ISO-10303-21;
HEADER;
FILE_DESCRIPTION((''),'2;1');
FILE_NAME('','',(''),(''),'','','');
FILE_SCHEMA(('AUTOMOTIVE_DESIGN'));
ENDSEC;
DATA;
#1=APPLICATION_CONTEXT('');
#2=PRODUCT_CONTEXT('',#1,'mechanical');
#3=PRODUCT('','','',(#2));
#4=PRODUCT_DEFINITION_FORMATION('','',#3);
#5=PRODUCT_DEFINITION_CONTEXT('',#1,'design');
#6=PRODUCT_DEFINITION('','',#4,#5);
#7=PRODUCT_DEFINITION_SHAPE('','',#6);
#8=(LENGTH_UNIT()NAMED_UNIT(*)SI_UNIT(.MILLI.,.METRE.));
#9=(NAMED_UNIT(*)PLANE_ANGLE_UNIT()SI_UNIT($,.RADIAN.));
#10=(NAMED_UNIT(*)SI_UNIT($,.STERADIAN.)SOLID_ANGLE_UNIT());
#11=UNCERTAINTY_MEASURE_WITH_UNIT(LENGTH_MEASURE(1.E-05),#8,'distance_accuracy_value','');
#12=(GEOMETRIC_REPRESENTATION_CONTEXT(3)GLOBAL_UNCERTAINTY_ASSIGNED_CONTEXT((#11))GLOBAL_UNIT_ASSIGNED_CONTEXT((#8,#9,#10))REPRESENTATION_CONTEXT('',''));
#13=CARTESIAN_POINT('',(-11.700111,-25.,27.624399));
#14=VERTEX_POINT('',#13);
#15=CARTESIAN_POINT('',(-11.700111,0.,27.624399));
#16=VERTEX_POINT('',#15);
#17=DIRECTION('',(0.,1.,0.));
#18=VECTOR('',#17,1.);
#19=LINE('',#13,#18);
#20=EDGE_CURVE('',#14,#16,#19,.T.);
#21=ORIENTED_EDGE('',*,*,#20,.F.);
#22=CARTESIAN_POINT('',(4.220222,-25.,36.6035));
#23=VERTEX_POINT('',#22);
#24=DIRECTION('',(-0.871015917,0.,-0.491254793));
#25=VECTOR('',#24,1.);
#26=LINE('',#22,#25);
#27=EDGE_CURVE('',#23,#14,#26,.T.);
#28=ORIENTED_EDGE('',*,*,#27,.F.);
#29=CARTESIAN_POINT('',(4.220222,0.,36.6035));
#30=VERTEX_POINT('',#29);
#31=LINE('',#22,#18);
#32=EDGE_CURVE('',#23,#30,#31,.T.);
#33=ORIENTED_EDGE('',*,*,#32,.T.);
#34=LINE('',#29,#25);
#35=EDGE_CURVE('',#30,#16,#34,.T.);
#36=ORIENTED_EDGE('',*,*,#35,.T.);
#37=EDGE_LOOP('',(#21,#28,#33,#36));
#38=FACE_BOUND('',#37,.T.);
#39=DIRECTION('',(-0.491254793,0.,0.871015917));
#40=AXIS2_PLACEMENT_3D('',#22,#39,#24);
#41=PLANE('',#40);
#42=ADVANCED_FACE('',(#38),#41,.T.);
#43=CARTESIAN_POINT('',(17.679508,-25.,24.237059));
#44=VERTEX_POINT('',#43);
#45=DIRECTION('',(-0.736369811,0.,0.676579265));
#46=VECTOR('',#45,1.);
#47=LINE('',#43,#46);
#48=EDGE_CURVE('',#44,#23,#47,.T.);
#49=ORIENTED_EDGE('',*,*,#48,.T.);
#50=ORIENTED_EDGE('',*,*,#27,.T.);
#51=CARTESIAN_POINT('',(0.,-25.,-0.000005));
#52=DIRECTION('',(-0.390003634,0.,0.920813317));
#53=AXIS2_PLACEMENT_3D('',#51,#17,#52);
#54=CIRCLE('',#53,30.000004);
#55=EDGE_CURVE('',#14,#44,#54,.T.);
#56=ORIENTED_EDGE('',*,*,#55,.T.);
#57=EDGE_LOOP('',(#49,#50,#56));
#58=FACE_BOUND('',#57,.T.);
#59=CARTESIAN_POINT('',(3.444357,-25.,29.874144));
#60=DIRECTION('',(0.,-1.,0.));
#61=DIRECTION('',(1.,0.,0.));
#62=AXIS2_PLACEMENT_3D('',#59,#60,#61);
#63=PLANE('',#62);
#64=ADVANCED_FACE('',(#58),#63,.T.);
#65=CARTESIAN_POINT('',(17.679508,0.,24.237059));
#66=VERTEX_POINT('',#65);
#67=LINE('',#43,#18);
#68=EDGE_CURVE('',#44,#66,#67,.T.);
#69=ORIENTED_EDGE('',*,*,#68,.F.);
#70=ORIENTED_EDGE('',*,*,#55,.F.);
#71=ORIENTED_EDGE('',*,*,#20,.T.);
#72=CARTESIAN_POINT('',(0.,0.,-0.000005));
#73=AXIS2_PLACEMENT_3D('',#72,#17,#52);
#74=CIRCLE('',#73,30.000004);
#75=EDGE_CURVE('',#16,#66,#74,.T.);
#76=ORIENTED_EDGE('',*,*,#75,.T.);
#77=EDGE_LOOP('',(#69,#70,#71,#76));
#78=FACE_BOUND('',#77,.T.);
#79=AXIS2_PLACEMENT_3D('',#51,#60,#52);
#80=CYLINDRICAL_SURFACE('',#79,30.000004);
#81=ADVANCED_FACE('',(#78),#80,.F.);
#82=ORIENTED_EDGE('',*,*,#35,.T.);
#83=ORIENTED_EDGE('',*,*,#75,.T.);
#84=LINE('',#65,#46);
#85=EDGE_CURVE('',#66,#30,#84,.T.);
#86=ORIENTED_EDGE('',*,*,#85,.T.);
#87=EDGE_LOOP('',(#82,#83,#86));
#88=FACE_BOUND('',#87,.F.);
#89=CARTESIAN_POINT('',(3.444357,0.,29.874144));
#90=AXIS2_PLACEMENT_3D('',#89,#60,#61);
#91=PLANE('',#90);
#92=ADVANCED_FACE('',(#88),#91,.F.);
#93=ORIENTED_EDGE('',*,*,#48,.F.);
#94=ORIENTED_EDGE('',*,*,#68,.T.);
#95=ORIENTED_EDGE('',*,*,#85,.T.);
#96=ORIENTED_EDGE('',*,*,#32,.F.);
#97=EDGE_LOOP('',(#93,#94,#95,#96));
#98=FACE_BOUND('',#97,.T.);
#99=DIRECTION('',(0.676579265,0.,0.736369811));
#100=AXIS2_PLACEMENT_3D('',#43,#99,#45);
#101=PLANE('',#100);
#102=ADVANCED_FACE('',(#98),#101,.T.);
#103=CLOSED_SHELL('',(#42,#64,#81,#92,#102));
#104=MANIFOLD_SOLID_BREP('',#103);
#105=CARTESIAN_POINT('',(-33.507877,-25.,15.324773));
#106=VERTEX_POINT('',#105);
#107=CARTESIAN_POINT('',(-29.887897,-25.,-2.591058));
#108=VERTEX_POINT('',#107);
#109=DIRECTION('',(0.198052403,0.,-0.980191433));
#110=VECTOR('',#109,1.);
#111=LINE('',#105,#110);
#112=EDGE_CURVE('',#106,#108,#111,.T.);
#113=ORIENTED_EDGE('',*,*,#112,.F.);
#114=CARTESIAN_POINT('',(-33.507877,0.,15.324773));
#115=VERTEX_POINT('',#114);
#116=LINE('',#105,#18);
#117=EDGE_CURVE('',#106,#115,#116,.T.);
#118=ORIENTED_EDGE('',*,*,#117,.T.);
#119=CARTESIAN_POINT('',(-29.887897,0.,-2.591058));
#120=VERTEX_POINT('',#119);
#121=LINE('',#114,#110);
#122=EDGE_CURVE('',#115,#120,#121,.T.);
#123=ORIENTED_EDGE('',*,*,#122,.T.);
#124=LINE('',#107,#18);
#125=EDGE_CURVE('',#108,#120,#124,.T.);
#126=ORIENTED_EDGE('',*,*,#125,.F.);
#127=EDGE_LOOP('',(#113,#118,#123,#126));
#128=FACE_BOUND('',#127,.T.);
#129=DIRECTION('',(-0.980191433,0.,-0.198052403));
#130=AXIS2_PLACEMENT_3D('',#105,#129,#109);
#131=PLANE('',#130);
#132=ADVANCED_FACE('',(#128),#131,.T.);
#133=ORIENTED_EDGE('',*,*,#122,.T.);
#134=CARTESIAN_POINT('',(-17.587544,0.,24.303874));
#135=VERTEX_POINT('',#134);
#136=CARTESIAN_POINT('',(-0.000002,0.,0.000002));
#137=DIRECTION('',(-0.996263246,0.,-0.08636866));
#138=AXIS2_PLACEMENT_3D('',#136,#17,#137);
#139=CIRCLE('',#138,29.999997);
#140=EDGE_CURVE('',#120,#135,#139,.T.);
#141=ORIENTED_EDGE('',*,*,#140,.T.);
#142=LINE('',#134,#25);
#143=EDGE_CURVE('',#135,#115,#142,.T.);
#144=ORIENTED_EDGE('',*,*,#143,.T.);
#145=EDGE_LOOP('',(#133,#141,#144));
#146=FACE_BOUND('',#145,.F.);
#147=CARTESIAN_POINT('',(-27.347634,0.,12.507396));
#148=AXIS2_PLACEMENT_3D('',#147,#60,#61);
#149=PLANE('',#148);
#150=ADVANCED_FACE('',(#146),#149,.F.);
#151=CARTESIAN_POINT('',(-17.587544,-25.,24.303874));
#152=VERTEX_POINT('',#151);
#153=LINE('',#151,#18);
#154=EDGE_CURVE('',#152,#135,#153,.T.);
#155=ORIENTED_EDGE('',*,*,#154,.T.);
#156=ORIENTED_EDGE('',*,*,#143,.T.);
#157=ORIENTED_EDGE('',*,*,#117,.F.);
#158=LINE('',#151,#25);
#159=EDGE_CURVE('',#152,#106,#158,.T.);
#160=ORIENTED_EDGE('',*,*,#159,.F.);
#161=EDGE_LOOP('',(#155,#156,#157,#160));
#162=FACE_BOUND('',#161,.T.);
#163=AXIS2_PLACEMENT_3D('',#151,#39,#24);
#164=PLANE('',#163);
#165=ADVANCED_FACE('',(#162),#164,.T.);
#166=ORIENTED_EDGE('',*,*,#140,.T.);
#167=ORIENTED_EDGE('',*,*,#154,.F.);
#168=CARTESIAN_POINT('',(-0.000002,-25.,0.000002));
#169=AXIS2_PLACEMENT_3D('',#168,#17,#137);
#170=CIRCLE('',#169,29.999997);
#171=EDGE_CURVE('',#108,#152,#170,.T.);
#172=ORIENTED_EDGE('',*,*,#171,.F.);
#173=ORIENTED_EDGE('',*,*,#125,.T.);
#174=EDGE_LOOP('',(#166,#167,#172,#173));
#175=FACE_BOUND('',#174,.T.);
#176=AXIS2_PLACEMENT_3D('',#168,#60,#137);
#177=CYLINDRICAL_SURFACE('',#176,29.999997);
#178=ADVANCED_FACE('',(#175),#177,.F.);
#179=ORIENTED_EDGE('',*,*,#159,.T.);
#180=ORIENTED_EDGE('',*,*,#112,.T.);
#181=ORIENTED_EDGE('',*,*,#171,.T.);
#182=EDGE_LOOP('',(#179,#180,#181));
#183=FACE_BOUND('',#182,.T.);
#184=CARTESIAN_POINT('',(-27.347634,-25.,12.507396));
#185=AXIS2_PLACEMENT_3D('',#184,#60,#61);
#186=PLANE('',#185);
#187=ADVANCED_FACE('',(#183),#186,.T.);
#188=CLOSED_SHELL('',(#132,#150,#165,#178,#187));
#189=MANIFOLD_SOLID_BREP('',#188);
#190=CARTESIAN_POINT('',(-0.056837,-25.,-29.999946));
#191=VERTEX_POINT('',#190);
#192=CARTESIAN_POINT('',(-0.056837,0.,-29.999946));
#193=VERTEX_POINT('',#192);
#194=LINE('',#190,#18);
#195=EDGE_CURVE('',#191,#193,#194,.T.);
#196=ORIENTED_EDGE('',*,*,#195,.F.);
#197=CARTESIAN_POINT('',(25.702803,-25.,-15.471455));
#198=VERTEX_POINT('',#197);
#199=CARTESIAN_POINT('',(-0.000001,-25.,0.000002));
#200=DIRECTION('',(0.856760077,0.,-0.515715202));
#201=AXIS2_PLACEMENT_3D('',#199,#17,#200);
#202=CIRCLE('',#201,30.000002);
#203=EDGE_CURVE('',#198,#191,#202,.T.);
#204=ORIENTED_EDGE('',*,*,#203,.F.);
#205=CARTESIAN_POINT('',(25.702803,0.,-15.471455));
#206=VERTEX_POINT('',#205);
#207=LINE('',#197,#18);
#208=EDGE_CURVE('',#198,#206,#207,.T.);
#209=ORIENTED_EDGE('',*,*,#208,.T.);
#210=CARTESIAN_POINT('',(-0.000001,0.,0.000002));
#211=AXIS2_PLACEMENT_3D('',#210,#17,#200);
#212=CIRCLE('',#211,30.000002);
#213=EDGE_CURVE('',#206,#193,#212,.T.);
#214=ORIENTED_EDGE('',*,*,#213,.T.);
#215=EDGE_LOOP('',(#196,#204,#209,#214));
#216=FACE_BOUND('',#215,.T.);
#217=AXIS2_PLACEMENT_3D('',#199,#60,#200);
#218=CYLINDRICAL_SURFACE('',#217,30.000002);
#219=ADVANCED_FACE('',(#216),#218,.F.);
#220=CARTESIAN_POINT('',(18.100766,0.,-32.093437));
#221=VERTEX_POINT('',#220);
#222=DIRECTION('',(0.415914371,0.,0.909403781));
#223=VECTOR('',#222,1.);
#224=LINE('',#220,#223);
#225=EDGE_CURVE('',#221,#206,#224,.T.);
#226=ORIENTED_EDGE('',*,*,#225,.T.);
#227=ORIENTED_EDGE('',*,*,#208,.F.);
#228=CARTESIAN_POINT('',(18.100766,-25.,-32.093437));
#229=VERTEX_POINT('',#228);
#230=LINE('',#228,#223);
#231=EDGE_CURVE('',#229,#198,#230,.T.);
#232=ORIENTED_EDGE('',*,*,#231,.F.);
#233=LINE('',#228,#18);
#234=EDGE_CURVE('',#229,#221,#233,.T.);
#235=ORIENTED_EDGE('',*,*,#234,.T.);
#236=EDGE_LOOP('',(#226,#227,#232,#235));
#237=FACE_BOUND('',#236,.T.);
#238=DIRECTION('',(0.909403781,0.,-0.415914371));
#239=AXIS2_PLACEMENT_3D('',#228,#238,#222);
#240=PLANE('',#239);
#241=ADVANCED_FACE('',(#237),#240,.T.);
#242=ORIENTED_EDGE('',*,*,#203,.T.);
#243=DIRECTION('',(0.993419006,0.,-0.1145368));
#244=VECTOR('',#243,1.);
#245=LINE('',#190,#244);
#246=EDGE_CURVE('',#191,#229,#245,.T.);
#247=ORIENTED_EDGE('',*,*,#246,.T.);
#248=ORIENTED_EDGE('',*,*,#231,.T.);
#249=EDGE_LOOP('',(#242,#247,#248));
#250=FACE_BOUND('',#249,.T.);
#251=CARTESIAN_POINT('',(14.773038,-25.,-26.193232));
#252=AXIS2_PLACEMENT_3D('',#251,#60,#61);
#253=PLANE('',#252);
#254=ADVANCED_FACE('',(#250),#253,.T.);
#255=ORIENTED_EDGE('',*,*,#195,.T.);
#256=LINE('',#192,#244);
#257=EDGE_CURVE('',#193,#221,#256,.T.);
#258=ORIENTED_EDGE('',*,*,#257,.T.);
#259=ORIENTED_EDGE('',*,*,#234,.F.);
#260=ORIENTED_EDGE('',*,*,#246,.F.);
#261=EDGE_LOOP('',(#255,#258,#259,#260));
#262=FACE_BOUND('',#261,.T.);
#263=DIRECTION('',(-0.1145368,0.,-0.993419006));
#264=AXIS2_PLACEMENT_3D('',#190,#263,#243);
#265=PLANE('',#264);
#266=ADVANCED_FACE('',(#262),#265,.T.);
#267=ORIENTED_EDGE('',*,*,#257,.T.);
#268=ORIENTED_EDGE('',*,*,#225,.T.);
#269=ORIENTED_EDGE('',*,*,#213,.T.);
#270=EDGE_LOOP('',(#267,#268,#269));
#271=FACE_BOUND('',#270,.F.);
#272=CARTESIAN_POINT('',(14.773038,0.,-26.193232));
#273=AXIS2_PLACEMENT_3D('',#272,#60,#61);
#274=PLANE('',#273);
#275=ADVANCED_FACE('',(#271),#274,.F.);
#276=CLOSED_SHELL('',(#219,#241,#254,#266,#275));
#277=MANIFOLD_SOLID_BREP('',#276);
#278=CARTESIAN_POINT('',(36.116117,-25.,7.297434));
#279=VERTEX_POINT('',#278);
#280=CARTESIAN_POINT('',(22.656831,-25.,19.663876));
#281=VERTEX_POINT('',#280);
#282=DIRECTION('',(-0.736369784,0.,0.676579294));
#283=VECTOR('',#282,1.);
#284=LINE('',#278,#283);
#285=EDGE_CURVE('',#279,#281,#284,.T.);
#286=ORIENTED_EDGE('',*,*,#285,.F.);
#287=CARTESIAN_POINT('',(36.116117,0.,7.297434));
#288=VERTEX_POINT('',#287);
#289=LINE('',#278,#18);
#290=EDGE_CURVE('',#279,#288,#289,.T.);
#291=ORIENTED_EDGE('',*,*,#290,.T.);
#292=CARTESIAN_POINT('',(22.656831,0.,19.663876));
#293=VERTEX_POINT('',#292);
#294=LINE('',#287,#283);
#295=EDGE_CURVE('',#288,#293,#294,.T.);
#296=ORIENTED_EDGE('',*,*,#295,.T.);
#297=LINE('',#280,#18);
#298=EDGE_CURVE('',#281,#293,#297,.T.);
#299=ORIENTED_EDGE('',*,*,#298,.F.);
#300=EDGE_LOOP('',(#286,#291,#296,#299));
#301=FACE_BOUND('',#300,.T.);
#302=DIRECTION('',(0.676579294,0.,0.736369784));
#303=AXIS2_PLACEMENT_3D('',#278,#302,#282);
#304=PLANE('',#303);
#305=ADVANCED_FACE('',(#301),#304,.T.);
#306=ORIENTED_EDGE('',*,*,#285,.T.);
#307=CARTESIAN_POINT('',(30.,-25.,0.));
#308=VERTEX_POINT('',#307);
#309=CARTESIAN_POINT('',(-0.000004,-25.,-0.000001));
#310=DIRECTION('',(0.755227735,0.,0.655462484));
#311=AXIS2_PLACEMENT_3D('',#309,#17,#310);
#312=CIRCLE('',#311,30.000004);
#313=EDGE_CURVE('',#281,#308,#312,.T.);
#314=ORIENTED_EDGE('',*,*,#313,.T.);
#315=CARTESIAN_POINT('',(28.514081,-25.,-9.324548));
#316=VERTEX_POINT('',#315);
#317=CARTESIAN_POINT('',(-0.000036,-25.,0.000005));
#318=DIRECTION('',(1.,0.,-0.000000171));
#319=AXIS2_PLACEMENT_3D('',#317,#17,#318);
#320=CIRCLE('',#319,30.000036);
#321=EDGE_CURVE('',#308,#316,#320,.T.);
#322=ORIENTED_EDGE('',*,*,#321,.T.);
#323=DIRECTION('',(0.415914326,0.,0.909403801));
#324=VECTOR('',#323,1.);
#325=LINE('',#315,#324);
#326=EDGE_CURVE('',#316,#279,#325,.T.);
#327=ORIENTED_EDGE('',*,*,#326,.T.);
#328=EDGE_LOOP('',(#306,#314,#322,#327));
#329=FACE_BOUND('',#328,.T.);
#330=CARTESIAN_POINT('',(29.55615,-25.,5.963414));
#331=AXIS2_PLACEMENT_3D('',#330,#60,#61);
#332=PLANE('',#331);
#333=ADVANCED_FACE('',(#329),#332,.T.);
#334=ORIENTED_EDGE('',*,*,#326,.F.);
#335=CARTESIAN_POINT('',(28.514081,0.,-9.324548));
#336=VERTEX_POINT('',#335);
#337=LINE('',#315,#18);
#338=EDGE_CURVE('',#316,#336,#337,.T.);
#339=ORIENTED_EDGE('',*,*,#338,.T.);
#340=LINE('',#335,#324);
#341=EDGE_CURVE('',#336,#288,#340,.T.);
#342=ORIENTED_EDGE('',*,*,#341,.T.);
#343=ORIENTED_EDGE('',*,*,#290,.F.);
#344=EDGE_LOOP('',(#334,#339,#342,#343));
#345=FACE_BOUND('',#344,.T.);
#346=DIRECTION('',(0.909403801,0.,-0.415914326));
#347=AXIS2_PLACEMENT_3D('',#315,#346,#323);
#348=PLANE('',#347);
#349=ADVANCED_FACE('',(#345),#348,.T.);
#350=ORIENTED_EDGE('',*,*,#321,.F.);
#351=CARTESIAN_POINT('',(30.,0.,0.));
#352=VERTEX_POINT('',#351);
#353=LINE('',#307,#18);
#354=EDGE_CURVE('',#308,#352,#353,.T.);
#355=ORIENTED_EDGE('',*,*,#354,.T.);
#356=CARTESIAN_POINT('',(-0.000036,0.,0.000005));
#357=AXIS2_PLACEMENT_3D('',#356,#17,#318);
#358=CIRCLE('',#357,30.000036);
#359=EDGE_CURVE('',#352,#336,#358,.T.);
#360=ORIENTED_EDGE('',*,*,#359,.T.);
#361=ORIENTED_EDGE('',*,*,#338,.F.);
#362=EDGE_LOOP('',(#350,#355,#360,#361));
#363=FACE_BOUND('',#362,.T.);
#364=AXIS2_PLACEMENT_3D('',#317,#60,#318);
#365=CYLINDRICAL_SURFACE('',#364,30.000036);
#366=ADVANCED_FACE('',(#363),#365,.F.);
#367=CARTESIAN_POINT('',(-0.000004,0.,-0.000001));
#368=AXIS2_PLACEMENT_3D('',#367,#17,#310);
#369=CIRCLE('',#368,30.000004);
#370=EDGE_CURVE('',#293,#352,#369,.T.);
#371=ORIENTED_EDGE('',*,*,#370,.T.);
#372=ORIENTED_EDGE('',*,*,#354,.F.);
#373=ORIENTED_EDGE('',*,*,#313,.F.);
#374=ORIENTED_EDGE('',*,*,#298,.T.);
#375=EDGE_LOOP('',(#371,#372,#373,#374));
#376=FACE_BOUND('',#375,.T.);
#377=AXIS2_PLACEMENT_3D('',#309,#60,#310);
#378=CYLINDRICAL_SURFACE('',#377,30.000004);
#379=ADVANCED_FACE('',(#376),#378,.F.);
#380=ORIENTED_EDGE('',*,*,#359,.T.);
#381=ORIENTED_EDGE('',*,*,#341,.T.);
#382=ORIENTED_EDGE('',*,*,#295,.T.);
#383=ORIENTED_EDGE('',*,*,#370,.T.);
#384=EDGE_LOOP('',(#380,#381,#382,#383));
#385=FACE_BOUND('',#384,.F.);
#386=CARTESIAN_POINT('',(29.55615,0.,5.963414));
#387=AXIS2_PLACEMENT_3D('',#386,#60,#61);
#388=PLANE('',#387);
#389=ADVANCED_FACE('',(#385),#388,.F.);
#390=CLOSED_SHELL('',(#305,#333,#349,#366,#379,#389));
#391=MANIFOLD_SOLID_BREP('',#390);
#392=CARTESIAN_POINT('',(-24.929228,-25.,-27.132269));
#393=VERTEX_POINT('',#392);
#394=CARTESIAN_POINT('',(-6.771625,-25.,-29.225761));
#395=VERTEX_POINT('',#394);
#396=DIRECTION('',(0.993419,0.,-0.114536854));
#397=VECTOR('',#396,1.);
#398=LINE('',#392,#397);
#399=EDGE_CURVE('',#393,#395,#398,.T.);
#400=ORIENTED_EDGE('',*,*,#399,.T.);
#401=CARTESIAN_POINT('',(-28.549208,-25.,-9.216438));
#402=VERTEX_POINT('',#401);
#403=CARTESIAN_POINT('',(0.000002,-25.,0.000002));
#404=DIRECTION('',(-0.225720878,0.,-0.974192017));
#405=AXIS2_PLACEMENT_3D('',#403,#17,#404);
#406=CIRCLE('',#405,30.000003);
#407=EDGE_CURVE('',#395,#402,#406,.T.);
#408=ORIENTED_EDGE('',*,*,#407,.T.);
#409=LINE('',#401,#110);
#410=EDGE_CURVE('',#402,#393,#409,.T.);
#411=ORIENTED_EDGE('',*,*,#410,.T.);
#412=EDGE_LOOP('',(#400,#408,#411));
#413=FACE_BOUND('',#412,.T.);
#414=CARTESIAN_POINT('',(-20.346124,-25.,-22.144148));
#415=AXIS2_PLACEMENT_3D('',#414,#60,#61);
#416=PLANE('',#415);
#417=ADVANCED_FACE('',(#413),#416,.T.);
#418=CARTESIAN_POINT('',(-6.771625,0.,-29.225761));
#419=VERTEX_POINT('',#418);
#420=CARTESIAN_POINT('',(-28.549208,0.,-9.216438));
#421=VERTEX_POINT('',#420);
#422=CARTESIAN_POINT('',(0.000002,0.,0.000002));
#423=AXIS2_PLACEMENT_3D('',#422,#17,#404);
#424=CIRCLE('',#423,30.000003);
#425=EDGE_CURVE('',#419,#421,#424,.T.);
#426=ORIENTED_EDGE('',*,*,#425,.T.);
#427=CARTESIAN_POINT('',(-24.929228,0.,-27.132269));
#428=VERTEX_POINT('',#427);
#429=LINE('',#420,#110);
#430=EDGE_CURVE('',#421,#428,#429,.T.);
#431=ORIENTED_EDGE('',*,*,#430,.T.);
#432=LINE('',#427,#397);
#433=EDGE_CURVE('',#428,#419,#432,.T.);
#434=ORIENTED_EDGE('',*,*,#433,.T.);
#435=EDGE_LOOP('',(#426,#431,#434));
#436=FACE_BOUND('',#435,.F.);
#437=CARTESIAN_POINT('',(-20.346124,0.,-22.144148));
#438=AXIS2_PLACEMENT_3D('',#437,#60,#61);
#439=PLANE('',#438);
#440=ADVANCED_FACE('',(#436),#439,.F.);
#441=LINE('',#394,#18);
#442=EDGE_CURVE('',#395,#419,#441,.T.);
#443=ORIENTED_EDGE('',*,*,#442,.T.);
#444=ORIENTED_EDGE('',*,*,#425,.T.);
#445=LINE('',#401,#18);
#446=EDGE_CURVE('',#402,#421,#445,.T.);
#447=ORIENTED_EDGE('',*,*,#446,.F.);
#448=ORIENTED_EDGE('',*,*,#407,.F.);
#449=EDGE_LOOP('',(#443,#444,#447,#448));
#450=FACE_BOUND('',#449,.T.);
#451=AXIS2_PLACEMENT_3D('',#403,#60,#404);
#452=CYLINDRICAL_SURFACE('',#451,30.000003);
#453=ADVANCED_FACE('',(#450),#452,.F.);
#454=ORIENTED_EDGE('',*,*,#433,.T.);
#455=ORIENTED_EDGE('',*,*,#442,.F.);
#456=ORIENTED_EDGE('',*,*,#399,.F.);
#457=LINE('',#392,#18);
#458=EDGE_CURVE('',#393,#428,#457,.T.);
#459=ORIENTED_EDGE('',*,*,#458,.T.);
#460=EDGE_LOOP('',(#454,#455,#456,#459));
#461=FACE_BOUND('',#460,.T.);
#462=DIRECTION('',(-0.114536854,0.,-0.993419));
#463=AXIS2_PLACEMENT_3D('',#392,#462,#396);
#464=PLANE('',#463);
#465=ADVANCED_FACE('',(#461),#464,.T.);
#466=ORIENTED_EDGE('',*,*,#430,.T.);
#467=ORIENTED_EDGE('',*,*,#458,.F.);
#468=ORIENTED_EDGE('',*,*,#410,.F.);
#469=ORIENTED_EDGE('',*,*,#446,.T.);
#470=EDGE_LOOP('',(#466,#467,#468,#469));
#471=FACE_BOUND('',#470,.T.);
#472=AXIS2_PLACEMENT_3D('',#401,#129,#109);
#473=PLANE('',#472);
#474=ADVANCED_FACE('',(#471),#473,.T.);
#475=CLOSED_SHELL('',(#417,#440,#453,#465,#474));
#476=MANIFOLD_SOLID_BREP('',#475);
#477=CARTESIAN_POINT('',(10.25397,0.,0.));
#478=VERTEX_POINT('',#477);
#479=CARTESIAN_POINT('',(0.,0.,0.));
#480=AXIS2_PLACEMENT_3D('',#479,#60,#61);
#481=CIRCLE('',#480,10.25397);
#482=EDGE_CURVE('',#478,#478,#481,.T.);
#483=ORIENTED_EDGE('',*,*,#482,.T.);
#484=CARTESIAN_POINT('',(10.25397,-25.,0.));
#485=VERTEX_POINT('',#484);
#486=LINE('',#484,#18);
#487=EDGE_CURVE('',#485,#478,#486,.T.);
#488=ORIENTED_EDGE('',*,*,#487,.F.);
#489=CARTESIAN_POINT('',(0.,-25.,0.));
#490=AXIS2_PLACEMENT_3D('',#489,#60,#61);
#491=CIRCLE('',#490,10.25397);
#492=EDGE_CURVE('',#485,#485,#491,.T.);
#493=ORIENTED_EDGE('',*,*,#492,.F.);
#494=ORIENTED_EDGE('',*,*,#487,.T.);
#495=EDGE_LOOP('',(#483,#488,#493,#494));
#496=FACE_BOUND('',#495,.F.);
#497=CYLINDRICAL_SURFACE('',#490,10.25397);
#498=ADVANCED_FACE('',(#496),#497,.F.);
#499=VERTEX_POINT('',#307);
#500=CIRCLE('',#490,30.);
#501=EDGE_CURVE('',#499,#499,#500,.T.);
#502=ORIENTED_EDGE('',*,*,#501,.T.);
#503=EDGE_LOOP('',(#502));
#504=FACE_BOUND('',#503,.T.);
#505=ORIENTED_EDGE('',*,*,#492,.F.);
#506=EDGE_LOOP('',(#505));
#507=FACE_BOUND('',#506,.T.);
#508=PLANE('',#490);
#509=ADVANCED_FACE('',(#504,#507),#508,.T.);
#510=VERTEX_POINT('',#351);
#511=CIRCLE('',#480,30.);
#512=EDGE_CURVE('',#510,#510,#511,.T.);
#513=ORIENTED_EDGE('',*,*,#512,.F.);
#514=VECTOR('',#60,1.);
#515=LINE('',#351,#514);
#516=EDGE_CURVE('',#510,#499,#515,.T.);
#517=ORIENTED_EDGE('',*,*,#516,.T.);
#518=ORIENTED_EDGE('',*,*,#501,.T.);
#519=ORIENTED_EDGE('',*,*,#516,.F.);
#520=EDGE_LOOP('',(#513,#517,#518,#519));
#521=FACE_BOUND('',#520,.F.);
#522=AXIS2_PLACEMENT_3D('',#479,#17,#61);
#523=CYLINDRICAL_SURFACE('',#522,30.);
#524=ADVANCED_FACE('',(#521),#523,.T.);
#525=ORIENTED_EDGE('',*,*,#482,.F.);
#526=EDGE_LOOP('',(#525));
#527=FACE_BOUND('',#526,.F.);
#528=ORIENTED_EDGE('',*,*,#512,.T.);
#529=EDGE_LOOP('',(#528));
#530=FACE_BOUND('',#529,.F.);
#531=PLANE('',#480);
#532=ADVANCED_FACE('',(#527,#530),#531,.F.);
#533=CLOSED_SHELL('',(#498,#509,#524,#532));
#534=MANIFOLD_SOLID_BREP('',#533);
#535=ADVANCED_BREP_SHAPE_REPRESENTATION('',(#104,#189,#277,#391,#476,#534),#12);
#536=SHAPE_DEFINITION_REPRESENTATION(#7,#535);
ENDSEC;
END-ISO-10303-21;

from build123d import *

# Parameters (mm, degrees)
F0_R     = 30
F1_DEPTH = 25
F2_R     = 10.25397
F3_DEPTH = 25.001
F5_DEPTH = 25


with BuildPart() as f1:
    # F0 (on Front) → F1 (new body)
    with BuildSketch(Plane.XZ):
        Circle(F0_R)
    extrude(amount=F1_DEPTH)

    # F2 (on face) → F3 (cut, through all)
    with BuildSketch(Plane.XZ.offset(25)):
        Circle(F2_R)
    extrude(amount=-F3_DEPTH, mode=Mode.SUBTRACT)


with BuildPart() as f5:
    # F4 (on face) → F5 (new body)
    with BuildSketch(Plane.XZ.offset(25)):
        with BuildLine():
            Line((-33.507877, 15.324773), (-29.887897, -2.591058))
            ThreePointArc((-29.887897, -2.591058), (-27.282114, 12.47743), (-17.587544, 24.303874))
            Line((-17.587544, 24.303874), (-33.507877, 15.324773))
        make_face()
        with BuildLine():
            Line((4.220222, 36.6035), (-11.700111, 27.624399))
            ThreePointArc((-11.700111, 27.624399), (3.436104, 29.80257), (17.679508, 24.237059))
            Line((17.679508, 24.237059), (4.220222, 36.6035))
        make_face()
        with BuildLine():
            ThreePointArc((30, 0), (29.626191, -4.7211), (28.514081, -9.324548))
            Line((28.514081, -9.324548), (36.116117, 7.297434))
            Line((36.116117, 7.297434), (22.656831, 19.663876))
            ThreePointArc((22.656831, 19.663876), (28.104314, 10.495119), (30, 0))
        make_face()
        with BuildLine():
            ThreePointArc((25.702803, -15.471455), (14.737644, -26.130477), (-0.056837, -29.999946))
            Line((-0.056837, -29.999946), (18.100766, -32.093437))
            Line((18.100766, -32.093437), (25.702803, -15.471455))
        make_face()
        with BuildLine():
            Line((-28.549208, -9.216438), (-24.929228, -27.132269))
            Line((-24.929228, -27.132269), (-6.771625, -29.225761))
            ThreePointArc((-6.771625, -29.225761), (-20.297378, -22.091094), (-28.549208, -9.216438))
        make_face()
    extrude(amount=-F5_DEPTH)


solid = Compound([f1.part, f5.part])
